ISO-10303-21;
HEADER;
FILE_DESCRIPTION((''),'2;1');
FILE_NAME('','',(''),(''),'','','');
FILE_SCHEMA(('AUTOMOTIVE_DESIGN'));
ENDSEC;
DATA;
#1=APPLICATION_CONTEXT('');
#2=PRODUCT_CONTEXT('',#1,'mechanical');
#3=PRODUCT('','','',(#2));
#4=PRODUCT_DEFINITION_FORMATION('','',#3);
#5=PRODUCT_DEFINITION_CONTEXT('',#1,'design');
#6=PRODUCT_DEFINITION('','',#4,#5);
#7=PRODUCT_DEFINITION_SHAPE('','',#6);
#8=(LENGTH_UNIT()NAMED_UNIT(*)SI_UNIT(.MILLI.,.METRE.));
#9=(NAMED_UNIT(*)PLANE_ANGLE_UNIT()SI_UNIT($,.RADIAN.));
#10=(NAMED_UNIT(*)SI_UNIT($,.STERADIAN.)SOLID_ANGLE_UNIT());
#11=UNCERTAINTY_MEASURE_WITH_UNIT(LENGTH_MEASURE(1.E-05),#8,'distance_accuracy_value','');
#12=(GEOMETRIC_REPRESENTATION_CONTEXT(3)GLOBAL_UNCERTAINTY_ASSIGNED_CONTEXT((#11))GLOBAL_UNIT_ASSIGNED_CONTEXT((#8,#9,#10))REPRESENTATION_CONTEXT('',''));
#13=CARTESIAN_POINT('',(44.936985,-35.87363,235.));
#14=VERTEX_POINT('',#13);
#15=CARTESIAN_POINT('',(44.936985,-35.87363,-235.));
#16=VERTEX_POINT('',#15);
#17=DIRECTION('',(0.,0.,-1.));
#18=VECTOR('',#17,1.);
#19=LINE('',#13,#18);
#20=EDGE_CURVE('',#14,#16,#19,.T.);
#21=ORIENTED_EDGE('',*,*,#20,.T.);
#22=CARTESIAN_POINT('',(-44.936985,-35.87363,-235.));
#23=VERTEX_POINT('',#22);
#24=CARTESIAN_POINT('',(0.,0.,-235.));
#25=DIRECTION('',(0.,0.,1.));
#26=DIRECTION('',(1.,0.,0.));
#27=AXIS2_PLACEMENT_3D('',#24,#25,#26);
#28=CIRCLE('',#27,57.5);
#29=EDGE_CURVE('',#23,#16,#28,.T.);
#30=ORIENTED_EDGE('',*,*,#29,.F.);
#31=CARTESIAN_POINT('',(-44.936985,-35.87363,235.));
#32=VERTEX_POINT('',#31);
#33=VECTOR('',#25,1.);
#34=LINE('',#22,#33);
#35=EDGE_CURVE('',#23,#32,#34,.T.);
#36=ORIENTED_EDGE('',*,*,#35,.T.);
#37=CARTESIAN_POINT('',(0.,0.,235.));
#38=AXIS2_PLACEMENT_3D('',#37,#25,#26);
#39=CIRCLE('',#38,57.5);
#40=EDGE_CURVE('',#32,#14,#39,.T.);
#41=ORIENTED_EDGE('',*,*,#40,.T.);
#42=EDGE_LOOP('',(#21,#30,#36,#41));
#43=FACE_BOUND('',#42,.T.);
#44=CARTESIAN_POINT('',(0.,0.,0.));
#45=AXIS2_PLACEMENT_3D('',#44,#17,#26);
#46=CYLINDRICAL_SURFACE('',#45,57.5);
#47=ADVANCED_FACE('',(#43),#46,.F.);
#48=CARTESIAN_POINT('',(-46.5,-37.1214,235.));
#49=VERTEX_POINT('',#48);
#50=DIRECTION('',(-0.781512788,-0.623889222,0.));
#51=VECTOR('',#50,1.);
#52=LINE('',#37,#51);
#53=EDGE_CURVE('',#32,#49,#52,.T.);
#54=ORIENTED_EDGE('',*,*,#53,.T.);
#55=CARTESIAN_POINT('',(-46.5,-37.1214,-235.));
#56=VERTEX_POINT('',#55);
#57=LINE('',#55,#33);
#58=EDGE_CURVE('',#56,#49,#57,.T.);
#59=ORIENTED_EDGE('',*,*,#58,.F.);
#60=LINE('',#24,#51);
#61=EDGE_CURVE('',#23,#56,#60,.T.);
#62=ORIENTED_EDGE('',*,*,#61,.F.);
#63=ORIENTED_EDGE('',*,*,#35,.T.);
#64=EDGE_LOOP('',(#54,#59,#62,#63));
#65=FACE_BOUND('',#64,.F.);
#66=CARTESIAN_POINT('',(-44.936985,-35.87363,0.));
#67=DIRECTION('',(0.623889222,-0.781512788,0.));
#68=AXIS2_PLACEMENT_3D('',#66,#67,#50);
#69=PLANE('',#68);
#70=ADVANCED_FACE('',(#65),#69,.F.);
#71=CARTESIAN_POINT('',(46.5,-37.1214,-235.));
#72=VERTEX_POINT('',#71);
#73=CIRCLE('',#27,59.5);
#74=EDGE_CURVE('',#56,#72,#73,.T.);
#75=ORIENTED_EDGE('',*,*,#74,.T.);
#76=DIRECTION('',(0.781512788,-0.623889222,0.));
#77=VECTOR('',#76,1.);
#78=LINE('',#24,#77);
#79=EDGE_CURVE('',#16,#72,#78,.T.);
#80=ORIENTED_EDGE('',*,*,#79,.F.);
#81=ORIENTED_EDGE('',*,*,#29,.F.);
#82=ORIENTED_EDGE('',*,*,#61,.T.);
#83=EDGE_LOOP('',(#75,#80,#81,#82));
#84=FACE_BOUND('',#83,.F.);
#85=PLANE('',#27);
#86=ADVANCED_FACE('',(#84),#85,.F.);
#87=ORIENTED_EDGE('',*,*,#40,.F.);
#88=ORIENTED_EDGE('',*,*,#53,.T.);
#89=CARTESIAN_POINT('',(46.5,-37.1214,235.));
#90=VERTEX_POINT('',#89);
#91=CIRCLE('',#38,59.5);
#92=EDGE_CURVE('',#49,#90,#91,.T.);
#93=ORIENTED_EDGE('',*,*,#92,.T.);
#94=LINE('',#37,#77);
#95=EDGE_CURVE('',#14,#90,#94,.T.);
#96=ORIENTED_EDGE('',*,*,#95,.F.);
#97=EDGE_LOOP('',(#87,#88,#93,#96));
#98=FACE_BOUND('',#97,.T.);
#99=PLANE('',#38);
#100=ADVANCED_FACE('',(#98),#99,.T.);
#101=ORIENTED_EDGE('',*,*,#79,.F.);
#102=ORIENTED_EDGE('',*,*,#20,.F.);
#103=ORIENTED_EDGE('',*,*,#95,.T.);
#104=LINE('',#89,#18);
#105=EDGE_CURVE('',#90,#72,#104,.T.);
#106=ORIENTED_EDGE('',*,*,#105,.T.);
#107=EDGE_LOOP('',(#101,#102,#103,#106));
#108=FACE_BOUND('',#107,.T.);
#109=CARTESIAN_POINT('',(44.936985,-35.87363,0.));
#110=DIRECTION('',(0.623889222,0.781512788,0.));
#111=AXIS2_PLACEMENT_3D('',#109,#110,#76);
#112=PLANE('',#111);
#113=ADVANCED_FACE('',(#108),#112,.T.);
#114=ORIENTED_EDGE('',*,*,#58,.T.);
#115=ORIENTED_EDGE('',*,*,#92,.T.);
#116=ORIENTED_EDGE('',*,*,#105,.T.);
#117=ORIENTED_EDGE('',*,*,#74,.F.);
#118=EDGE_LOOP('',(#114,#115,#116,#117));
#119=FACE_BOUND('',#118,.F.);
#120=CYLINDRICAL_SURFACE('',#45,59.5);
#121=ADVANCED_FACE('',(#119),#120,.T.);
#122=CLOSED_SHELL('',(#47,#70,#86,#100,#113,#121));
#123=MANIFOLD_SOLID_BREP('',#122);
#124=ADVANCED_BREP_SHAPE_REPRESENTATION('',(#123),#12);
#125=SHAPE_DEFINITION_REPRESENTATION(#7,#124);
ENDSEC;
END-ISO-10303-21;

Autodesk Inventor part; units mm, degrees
ref_plane "YZ Plane" through (0, 0, 0) normal (1, 0, 0) x (0, 1, 0)
ref_plane "XZ Plane" through (0, 0, 0) normal (0, 1, 0) x (-1, 0, 0)
ref_plane "XY Plane" through (0, 0, 0) normal (0, 0, 1) x (1, 0, 0)
sketch "Sketch1" plane through (0, 0, 0) normal (0, 0, 1) x (1, 0, 0)
  circle A0 centre (0, 0) radius 57.5
  circle A1 centre (0, 0) radius 59.5
  line L0 (0, 0) -> (-46.5, -37.1214)
  line L1 (0, 0) -> (0, 20.5864)
  line L2 (0, 0) -> (46.5, -37.1214)
  point P0 (46.5, -37.1214)
  point P1 (44.937, -35.8736)
  point P2 (-44.937, -35.8736)
  dimension "d0" = 115
  dimension "d1" = 2
  dimension "d2" = 93
extrude "Extrusion1" add sketch "Sketch1" along normal mid plane 470 contours A0 L2 A1 L0 picked at (-3.5394, -58.515)
properties part number "CANALETA_MOVIL" material "Steel, Mild, Welded"
